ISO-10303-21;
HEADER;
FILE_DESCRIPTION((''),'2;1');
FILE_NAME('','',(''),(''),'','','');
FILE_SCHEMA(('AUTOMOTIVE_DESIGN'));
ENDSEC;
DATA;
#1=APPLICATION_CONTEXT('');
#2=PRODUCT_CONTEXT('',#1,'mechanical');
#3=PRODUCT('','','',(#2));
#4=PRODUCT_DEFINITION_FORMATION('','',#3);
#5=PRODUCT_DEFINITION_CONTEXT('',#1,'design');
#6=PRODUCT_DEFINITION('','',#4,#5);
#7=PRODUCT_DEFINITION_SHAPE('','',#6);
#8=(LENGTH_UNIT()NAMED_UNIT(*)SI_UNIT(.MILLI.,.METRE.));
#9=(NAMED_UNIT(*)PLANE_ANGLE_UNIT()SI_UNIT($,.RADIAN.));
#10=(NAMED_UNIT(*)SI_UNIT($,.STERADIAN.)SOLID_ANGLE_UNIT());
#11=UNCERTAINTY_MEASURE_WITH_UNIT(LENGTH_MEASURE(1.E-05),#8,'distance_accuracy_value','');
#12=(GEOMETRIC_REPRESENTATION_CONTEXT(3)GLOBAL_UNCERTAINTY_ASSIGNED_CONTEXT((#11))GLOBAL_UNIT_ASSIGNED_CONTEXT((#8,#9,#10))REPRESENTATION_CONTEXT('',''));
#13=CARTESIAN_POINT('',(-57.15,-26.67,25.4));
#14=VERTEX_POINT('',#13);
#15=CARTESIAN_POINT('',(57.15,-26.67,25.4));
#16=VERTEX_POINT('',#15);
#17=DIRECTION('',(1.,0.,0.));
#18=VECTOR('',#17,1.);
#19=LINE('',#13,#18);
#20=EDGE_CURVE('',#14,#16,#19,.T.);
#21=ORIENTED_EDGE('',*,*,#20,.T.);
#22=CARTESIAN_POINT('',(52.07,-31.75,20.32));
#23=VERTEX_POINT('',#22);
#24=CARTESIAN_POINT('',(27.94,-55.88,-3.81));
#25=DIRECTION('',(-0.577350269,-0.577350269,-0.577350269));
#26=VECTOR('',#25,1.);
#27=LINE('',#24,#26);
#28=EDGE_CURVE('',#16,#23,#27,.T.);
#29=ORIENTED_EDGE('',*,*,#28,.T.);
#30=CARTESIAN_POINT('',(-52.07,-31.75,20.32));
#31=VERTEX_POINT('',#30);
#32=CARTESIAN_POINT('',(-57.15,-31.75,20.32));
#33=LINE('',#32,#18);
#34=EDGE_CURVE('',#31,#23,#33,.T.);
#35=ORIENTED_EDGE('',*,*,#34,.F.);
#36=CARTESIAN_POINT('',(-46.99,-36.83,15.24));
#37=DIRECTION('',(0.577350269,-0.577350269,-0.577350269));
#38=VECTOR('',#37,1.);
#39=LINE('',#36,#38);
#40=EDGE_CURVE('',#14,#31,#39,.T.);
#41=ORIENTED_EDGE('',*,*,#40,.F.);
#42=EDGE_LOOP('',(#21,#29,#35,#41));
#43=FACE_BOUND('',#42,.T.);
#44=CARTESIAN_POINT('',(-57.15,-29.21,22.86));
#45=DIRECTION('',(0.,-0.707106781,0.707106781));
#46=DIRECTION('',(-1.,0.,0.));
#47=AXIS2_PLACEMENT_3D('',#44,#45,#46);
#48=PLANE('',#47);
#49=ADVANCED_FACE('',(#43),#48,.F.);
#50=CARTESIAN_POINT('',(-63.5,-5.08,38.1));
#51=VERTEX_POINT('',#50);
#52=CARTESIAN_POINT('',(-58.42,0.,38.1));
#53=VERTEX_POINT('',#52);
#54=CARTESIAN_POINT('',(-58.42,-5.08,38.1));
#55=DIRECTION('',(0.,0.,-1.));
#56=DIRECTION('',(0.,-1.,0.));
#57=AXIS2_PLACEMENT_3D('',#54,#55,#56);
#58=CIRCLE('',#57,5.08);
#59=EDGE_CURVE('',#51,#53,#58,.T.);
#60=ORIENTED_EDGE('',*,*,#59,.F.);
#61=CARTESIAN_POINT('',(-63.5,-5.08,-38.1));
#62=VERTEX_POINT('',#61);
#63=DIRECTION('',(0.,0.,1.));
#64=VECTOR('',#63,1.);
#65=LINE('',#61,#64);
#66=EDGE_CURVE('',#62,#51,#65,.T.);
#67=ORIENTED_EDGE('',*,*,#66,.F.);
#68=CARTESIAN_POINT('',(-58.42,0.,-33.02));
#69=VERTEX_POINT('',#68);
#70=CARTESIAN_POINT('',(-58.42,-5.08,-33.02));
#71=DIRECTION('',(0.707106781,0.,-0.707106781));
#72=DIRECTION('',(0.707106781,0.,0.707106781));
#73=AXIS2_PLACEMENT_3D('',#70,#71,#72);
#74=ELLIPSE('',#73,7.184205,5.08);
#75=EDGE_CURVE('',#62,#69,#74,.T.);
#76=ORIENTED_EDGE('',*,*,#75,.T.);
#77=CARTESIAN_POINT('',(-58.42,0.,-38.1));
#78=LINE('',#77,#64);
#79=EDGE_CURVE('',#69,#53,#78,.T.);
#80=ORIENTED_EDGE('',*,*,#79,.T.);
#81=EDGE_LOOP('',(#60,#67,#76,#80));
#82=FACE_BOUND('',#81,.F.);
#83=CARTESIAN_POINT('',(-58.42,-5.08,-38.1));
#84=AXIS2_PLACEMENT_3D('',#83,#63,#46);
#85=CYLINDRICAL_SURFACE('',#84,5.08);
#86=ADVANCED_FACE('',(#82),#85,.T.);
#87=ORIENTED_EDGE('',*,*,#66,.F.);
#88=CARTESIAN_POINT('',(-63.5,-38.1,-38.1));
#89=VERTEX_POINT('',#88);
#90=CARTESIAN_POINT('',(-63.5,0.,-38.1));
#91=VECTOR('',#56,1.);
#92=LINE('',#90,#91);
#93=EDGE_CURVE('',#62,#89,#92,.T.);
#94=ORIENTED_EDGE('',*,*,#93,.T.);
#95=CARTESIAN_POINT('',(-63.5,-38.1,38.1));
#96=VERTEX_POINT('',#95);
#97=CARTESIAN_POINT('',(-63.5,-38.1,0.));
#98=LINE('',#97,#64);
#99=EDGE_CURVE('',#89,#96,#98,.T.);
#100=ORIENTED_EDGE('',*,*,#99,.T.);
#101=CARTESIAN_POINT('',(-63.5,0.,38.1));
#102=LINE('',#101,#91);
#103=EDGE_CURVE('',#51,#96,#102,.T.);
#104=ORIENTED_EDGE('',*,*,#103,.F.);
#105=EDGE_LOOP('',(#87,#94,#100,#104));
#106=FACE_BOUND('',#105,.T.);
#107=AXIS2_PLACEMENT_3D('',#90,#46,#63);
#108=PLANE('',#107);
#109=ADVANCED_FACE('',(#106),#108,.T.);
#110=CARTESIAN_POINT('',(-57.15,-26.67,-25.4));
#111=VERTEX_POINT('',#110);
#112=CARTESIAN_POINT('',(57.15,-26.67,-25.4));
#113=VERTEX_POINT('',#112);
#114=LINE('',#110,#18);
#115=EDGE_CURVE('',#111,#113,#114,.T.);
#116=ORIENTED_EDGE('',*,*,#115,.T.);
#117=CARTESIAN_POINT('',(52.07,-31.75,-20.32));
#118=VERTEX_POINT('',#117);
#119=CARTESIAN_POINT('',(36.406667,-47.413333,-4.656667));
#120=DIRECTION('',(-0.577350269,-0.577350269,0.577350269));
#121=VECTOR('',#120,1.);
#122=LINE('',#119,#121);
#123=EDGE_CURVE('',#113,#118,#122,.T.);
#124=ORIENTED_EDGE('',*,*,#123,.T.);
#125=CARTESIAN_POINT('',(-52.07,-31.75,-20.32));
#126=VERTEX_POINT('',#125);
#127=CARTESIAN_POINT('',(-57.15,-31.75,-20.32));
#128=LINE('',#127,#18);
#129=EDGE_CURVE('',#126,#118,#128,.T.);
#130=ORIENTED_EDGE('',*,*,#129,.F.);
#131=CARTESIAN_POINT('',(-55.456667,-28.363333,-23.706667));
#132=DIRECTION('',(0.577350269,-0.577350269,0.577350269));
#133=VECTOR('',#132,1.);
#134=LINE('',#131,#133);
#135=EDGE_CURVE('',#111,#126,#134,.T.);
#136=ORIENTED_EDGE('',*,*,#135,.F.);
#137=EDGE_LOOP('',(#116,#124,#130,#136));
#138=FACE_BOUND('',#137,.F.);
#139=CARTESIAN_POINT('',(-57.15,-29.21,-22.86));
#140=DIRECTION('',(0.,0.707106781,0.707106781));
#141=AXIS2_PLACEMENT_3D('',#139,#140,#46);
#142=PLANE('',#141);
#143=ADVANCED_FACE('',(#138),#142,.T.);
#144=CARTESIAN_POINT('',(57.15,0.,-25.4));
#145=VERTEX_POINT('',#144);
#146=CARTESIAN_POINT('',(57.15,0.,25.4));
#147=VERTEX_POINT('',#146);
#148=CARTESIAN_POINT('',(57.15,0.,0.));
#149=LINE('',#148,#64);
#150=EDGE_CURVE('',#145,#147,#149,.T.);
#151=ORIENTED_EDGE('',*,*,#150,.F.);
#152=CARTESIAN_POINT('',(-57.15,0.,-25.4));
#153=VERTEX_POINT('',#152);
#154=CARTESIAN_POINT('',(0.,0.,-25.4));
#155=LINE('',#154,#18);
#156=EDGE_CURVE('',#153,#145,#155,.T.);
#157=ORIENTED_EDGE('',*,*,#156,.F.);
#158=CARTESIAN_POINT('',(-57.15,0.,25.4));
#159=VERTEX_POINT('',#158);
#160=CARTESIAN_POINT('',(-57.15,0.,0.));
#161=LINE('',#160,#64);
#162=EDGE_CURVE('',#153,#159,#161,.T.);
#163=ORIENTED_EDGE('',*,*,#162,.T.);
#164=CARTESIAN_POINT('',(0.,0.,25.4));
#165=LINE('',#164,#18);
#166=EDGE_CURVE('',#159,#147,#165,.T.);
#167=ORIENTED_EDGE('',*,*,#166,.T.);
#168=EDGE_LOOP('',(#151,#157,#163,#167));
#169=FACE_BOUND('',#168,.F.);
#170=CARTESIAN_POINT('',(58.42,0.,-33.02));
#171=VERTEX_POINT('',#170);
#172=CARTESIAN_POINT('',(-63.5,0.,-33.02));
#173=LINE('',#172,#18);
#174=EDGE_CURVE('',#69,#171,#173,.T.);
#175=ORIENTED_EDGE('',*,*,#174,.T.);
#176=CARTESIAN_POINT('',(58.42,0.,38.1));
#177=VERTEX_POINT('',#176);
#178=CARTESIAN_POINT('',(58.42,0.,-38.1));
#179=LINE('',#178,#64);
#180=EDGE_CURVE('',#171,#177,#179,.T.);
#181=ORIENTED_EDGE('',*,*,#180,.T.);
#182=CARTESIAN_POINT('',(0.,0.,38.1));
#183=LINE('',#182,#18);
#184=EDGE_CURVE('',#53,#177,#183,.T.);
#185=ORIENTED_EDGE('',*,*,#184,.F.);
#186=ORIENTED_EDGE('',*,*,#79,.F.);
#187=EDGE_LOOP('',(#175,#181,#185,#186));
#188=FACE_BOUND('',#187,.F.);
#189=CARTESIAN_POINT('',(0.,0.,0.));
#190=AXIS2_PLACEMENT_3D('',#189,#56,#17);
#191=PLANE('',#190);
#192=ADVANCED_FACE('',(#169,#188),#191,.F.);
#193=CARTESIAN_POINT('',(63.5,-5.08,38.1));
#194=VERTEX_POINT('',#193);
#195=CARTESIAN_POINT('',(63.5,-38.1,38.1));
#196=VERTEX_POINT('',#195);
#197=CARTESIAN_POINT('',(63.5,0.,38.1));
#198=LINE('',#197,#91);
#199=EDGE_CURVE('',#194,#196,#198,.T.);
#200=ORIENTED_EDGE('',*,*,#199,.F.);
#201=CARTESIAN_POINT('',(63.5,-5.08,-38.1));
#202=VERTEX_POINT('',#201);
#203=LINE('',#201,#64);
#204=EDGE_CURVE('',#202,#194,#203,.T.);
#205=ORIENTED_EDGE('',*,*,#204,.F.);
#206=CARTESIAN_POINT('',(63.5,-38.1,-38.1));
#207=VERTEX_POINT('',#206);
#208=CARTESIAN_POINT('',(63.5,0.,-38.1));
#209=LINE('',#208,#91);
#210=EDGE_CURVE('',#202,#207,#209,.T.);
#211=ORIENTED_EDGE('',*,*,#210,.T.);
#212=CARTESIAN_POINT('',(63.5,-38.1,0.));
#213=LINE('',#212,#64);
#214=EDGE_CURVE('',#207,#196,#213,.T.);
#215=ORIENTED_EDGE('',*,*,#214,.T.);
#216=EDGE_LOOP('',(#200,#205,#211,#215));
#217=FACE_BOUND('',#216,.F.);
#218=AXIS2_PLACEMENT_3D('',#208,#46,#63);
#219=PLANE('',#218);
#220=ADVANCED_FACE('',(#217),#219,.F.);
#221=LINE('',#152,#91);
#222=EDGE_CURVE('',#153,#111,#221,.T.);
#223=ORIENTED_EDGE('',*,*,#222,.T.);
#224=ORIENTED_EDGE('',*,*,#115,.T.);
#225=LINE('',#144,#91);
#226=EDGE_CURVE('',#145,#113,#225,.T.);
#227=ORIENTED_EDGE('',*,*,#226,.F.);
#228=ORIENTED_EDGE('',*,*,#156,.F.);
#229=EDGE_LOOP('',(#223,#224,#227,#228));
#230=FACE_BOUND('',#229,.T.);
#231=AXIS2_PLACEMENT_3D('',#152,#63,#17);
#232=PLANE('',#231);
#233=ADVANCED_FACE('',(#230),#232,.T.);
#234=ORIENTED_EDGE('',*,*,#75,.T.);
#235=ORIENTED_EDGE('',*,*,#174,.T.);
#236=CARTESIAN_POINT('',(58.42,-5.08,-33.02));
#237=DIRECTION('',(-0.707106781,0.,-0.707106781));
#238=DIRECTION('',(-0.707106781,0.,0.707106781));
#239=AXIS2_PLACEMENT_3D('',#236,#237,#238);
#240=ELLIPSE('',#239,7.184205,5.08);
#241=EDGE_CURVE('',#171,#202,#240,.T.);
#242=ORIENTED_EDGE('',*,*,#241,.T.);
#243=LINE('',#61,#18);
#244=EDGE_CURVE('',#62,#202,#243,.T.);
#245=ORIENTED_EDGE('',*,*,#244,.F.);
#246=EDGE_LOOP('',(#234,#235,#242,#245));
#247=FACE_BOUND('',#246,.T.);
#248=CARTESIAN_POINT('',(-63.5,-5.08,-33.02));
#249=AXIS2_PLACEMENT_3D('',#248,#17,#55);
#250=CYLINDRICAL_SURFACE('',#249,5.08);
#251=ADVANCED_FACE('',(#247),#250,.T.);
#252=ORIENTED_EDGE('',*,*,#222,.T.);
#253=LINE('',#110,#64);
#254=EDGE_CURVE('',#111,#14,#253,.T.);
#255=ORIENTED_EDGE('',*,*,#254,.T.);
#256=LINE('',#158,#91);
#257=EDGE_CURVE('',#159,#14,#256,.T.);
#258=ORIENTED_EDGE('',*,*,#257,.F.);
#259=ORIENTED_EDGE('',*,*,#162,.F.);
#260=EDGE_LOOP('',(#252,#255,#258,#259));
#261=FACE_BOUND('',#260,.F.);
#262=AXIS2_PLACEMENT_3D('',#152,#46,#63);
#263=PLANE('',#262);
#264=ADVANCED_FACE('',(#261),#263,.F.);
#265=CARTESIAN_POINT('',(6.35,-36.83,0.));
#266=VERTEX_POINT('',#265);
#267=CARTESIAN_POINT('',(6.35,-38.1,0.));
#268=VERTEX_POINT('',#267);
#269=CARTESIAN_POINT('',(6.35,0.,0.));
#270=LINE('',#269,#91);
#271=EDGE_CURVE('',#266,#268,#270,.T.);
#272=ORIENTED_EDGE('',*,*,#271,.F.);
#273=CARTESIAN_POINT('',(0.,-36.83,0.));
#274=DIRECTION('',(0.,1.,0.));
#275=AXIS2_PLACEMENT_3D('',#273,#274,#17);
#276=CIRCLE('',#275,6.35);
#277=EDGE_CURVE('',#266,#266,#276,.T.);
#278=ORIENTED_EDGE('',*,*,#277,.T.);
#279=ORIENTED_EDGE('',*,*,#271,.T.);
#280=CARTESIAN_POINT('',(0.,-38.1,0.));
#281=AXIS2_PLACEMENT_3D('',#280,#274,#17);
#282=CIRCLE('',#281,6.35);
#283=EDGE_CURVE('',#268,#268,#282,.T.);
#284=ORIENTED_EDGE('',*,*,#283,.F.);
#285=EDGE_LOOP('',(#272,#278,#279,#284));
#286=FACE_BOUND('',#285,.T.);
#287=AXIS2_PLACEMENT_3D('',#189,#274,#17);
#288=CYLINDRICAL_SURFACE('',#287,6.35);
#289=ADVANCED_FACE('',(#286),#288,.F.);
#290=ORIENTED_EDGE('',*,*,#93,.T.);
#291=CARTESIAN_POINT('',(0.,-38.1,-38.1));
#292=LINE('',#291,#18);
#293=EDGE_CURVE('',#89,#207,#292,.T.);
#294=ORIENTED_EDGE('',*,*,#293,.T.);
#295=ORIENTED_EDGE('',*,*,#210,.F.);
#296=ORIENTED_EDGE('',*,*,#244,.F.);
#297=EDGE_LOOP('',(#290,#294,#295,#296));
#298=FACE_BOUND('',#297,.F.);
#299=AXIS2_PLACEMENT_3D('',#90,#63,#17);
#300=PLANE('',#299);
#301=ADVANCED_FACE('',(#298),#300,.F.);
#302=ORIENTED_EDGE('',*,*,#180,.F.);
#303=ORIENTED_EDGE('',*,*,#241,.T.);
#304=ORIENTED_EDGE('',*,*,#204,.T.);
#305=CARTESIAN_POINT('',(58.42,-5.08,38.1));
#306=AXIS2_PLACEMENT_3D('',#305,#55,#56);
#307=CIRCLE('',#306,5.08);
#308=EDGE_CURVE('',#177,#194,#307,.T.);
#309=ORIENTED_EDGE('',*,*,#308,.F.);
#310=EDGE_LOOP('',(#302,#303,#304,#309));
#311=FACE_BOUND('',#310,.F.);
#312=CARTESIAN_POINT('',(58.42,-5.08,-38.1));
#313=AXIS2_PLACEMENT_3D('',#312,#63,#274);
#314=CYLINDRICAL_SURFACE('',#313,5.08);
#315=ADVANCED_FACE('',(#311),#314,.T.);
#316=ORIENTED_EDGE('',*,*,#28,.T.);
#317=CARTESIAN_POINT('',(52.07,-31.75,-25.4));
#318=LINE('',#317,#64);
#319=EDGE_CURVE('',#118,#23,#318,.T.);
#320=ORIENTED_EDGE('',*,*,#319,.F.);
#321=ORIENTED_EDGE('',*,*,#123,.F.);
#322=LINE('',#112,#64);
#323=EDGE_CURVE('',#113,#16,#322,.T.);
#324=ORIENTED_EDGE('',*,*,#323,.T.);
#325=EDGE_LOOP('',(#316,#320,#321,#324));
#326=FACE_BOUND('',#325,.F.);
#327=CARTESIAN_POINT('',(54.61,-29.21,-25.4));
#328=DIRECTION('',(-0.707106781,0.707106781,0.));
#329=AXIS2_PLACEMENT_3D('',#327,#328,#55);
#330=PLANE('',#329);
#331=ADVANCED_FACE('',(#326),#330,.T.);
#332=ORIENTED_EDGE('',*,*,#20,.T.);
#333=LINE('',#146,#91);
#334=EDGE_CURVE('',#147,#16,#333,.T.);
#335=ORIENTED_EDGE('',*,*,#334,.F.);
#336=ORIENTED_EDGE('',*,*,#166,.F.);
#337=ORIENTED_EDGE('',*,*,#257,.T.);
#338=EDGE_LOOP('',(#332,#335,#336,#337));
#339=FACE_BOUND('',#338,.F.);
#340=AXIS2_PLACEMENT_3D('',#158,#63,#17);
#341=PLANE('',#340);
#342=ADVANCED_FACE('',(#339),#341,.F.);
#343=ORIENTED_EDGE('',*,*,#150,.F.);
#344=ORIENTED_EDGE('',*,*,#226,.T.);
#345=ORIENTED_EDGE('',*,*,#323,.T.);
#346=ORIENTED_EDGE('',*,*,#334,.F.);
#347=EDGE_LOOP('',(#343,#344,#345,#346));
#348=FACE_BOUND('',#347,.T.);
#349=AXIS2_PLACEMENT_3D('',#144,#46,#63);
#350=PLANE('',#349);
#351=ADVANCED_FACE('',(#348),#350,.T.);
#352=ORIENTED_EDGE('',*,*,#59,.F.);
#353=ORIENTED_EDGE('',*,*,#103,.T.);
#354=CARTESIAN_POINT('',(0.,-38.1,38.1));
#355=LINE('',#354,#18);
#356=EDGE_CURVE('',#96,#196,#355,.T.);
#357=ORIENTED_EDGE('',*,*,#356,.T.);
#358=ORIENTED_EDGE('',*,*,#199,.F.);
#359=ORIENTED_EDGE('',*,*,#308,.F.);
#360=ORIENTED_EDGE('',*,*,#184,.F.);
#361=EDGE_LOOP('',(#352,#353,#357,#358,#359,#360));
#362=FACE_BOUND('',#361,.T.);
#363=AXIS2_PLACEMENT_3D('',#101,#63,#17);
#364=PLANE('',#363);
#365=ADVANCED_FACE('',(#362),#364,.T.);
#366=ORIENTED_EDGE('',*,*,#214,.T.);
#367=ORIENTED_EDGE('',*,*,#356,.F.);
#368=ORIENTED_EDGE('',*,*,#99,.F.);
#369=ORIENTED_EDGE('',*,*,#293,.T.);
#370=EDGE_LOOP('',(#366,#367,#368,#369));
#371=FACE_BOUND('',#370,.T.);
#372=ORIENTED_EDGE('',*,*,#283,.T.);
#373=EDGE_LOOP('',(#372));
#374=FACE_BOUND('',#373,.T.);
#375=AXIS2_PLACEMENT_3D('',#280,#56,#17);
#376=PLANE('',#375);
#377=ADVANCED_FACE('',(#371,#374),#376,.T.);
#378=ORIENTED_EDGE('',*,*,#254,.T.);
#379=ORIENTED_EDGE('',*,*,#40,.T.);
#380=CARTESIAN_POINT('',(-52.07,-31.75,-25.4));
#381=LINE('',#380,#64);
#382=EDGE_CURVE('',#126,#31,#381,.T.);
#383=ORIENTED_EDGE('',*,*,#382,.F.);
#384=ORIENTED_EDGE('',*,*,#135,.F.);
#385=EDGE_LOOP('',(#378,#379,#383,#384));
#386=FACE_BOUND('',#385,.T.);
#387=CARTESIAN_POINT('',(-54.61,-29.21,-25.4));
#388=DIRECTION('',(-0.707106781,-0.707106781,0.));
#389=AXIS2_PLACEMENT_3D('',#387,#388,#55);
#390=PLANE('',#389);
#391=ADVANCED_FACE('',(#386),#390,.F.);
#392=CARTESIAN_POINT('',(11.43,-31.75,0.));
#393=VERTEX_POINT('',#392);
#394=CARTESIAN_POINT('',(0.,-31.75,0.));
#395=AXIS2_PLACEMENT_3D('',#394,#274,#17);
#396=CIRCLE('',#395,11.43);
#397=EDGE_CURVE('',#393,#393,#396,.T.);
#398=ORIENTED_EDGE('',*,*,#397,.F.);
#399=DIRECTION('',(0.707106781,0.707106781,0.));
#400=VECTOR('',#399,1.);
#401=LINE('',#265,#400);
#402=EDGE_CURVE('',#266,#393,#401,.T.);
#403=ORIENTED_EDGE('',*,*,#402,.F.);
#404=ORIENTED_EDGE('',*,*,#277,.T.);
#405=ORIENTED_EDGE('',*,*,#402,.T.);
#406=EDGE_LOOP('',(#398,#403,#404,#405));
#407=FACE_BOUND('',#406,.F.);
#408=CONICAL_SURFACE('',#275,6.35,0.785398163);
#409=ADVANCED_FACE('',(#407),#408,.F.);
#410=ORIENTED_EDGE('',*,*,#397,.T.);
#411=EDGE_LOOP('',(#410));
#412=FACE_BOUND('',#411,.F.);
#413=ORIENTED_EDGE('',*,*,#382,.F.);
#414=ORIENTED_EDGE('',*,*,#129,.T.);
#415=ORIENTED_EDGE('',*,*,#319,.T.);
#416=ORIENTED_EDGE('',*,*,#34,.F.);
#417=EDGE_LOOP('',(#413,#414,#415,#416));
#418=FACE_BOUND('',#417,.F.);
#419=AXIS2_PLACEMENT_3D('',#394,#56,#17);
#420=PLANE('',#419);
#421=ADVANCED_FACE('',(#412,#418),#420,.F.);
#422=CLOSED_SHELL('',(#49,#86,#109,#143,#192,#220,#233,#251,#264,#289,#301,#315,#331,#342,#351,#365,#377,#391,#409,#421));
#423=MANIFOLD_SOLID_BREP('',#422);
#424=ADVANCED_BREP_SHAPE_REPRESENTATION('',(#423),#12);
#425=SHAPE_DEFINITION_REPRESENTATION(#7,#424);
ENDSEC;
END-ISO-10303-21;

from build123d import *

# Parameters (mm, degrees)
F0_W     = 127
F0_H     = 76.2
F1_DEPTH = 38.1
F2_R     = 6.35
F3_DEPTH = 50.8
F4_R     = 5.08
F5_W     = 114.3
F5_H     = 50.8
F6_DEPTH = 31.75
F7_SIZE  = 5.08


with BuildPart() as f1:
    # F0 (on Front) → F1 (new body)
    with BuildSketch(Plane.XZ):
        Rectangle(F0_W, F0_H)
    extrude(amount=F1_DEPTH)

    # F2 (on Front) → F3 (cut)
    with BuildSketch(Plane.XZ):
        Circle(F2_R)
    extrude(amount=F3_DEPTH, mode=Mode.SUBTRACT)

    # F4
    f4_edges = [f1.edges().sort_by_distance(p)[0] for p in [
        (63.5, 0, 0),
        (0, 0, -38.1),
        (-63.5, 0, 0),
    ]]
    fillet(f4_edges, radius=F4_R)

    # F5 (on Front) → F6 (cut)
    with BuildSketch(Plane.XZ):
        Rectangle(F5_W, F5_H)
    extrude(amount=F6_DEPTH, mode=Mode.SUBTRACT)

    # F7
    f7_edges = [f1.edges().sort_by_distance(p)[0] for p in [
        (-6.35, -31.75, 0),
        (0, -31.75, 25.4),
        (57.15, -31.75, 0),
        (-57.15, -31.75, 0),
        (0, -31.75, -25.4),
    ]]
    chamfer(f7_edges, length=F7_SIZE)


solid = f1.part
